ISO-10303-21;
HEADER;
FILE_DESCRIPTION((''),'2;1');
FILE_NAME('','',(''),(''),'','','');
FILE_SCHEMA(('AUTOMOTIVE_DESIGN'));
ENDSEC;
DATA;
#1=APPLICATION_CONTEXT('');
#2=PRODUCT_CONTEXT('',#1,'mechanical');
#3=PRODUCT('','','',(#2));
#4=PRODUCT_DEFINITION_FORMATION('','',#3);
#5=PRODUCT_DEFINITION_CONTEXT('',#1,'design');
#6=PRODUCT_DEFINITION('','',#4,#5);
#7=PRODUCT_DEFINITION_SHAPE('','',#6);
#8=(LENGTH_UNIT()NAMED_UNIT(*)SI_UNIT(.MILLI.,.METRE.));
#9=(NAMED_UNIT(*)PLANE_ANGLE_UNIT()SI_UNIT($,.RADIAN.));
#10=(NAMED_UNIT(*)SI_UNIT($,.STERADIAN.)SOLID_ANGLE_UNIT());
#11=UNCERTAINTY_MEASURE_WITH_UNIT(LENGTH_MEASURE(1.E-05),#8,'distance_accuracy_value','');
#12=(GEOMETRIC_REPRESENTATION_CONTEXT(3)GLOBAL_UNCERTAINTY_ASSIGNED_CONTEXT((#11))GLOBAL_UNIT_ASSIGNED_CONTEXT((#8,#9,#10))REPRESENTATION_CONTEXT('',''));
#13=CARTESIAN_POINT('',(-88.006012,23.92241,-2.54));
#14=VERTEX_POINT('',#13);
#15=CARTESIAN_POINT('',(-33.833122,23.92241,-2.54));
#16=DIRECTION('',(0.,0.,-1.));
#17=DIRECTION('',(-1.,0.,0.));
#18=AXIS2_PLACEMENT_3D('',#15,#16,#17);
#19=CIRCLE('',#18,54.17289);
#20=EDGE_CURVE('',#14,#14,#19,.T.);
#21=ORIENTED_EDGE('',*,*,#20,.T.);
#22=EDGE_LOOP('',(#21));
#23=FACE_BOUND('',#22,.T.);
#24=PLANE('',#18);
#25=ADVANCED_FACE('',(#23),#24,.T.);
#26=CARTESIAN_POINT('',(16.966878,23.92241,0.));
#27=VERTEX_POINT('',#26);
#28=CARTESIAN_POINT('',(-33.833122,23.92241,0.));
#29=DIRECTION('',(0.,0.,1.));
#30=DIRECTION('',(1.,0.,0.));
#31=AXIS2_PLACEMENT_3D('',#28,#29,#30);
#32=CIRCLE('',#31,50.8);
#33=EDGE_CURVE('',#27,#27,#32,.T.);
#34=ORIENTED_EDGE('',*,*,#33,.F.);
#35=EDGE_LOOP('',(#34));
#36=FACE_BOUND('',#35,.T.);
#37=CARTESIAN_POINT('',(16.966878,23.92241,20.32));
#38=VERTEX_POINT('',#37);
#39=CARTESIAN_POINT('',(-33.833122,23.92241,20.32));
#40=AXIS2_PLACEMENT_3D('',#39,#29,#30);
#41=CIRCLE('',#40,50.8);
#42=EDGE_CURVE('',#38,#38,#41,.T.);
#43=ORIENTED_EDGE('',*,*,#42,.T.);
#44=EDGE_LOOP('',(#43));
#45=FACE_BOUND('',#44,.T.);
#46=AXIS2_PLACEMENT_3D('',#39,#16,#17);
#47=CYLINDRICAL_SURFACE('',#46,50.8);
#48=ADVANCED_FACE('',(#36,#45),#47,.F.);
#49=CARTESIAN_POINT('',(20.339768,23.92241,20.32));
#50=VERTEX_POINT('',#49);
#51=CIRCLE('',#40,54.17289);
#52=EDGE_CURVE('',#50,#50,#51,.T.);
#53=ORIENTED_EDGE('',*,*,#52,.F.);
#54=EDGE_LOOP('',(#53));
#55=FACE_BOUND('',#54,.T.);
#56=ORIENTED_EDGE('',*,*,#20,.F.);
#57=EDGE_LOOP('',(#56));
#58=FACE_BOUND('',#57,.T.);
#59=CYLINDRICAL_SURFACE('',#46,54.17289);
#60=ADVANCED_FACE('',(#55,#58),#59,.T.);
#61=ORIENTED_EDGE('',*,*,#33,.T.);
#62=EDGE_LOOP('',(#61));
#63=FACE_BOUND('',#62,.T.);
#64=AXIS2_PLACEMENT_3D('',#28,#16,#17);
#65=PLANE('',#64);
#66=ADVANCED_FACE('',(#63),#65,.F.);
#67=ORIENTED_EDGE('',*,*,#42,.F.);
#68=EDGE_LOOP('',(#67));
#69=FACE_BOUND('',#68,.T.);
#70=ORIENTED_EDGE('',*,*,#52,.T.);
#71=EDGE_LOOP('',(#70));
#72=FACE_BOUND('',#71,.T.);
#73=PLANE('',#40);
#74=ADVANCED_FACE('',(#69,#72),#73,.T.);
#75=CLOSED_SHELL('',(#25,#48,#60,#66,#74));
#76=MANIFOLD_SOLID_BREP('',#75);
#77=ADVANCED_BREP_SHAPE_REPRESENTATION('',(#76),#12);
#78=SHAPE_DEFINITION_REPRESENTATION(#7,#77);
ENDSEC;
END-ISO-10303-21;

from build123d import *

# Parameters (mm, degrees)
SKETCH1_R           = 54.172889722
SKETCH1_R_2         = 50.8
BOSS_EXTRUDE1_DEPTH = 20.32
SKETCH2_R           = 54.172889722
BOSS_EXTRUDE2_DEPTH = 2.54


with BuildPart() as part:
    # Sketch1 → Boss-Extrude1 (new body)
    with BuildSketch(Plane.XY):
        with Locations((-33.833122115, 23.922409576)):
            Circle(SKETCH1_R)
        with Locations((-33.833122115, 23.922409576)):
            Circle(SKETCH1_R_2, mode=Mode.SUBTRACT)
    extrude(amount=BOSS_EXTRUDE1_DEPTH)

    # Sketch2 → Boss-Extrude2 (add)
    with BuildSketch(Plane(origin=(0, 0, 0), x_dir=(-1, 0, 0), z_dir=(0, 0, -1))):
        with Locations((33.833122115, 23.922409576)):
            Circle(SKETCH2_R)
    extrude(amount=BOSS_EXTRUDE2_DEPTH)


solid = part.part
